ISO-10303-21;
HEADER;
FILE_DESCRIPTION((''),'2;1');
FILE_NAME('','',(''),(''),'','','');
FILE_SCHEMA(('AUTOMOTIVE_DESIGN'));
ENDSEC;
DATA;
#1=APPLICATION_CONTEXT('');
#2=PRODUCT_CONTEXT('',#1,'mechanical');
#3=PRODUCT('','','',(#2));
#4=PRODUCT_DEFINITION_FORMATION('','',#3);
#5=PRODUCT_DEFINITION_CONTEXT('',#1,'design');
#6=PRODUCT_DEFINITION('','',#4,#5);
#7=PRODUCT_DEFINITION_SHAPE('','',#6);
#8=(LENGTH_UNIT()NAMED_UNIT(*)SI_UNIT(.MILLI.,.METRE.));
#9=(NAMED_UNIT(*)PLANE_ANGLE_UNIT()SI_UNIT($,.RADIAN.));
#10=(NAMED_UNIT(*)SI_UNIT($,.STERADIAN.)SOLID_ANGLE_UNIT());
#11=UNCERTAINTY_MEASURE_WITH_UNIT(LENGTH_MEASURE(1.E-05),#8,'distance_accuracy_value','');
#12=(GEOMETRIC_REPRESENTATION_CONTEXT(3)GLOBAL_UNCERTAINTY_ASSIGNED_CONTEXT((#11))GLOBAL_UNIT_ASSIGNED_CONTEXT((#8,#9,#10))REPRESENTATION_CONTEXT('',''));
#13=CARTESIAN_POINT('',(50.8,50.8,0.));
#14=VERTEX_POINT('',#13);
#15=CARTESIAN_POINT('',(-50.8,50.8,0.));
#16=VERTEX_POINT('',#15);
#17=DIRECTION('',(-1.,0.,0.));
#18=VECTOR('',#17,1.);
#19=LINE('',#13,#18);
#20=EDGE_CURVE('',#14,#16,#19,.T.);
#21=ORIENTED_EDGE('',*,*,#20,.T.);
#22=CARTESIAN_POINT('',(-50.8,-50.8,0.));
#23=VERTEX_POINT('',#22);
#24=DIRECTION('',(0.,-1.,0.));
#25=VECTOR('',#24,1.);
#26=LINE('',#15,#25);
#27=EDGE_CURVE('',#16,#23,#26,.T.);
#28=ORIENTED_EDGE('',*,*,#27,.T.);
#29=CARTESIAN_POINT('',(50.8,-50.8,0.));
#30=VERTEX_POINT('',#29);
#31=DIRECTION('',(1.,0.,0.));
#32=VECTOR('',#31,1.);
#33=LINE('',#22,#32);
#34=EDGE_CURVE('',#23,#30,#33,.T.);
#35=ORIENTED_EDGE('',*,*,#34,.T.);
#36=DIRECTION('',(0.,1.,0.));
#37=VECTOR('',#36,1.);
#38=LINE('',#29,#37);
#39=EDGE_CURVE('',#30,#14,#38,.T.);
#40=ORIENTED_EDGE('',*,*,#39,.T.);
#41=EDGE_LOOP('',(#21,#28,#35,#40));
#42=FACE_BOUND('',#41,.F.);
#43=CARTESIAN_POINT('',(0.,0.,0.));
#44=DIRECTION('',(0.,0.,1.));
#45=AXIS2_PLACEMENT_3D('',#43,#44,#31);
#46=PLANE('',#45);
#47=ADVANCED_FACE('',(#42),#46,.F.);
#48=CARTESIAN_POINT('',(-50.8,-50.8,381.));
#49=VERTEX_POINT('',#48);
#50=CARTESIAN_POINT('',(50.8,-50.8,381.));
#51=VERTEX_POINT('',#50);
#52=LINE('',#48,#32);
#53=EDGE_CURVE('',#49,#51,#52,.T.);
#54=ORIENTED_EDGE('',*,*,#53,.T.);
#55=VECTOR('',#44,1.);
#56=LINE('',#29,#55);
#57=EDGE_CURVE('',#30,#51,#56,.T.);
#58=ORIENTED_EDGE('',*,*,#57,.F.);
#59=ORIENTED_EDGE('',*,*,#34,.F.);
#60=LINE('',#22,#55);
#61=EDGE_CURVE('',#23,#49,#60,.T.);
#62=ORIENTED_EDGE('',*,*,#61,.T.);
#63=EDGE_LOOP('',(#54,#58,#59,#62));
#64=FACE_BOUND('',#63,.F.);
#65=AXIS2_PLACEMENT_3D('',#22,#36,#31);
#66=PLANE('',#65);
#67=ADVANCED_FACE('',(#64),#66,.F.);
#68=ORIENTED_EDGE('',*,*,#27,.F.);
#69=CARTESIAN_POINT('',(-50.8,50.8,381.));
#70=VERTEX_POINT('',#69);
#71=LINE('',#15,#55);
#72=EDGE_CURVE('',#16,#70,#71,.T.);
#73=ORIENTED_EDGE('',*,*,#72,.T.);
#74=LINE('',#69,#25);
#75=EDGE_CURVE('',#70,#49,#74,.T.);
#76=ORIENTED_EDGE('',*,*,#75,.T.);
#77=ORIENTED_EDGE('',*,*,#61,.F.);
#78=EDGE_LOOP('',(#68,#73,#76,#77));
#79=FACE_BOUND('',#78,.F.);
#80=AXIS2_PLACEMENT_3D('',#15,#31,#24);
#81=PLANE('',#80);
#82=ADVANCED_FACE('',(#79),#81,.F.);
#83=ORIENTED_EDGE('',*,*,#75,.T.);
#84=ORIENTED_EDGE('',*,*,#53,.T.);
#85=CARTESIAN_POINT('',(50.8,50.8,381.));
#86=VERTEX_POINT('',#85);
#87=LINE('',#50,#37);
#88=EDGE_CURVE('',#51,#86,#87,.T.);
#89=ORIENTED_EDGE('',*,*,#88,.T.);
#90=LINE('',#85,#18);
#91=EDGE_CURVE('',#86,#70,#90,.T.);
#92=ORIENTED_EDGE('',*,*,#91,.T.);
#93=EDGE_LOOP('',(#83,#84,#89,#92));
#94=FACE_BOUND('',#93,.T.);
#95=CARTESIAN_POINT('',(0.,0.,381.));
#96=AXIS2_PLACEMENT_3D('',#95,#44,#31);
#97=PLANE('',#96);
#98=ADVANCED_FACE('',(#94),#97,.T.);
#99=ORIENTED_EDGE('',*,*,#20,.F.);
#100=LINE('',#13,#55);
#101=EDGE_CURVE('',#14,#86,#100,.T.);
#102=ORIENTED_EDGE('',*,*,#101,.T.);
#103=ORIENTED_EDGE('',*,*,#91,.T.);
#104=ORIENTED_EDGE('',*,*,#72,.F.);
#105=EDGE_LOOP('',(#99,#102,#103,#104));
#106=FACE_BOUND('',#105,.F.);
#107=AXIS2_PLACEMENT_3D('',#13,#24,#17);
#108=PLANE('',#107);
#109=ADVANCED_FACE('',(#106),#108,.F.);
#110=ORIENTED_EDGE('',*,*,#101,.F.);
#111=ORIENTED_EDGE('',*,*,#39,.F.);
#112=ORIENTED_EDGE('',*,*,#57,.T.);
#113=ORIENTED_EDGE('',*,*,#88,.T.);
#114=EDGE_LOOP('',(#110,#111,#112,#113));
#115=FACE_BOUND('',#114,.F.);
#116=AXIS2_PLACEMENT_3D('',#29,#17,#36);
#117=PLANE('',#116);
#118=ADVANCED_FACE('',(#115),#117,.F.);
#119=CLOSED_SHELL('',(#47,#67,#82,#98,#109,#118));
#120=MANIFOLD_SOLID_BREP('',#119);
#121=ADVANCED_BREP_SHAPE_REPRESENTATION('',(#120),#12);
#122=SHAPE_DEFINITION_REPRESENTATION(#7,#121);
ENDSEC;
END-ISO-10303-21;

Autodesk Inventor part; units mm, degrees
ref_plane "YZ Plane" through (0, 0, 0) normal (1, 0, 0) x (0, 1, 0)
ref_plane "XZ Plane" through (0, 0, 0) normal (0, 1, 0) x (-1, 0, 0)
ref_plane "XY Plane" through (0, 0, 0) normal (0, 0, 1) x (1, 0, 0)
sketch "Sketch1" plane through (0, 0, 0) normal (0, 0, 1) x (1, 0, 0)
  line L0 (-50.8, -50.8) -> (50.8, -50.8)
  line L1 (50.8, -50.8) -> (50.8, 50.8)
  line L2 (50.8, 50.8) -> (-50.8, 50.8)
  line L3 (-50.8, 50.8) -> (-50.8, -50.8)
  line L4 (-50.8, -50.8) -> (50.8, 50.8) construction
  line L5 (50.8, -50.8) -> (-50.8, 50.8) construction
  point P0 (0, 0)
  dimension "d0" = 101.6
  dimension "d1" = 101.6
extrude "Extrusion1" add sketch "Sketch1" along normal blind 381
properties part number "MU-004 arm" material "Aluminum 6061"
